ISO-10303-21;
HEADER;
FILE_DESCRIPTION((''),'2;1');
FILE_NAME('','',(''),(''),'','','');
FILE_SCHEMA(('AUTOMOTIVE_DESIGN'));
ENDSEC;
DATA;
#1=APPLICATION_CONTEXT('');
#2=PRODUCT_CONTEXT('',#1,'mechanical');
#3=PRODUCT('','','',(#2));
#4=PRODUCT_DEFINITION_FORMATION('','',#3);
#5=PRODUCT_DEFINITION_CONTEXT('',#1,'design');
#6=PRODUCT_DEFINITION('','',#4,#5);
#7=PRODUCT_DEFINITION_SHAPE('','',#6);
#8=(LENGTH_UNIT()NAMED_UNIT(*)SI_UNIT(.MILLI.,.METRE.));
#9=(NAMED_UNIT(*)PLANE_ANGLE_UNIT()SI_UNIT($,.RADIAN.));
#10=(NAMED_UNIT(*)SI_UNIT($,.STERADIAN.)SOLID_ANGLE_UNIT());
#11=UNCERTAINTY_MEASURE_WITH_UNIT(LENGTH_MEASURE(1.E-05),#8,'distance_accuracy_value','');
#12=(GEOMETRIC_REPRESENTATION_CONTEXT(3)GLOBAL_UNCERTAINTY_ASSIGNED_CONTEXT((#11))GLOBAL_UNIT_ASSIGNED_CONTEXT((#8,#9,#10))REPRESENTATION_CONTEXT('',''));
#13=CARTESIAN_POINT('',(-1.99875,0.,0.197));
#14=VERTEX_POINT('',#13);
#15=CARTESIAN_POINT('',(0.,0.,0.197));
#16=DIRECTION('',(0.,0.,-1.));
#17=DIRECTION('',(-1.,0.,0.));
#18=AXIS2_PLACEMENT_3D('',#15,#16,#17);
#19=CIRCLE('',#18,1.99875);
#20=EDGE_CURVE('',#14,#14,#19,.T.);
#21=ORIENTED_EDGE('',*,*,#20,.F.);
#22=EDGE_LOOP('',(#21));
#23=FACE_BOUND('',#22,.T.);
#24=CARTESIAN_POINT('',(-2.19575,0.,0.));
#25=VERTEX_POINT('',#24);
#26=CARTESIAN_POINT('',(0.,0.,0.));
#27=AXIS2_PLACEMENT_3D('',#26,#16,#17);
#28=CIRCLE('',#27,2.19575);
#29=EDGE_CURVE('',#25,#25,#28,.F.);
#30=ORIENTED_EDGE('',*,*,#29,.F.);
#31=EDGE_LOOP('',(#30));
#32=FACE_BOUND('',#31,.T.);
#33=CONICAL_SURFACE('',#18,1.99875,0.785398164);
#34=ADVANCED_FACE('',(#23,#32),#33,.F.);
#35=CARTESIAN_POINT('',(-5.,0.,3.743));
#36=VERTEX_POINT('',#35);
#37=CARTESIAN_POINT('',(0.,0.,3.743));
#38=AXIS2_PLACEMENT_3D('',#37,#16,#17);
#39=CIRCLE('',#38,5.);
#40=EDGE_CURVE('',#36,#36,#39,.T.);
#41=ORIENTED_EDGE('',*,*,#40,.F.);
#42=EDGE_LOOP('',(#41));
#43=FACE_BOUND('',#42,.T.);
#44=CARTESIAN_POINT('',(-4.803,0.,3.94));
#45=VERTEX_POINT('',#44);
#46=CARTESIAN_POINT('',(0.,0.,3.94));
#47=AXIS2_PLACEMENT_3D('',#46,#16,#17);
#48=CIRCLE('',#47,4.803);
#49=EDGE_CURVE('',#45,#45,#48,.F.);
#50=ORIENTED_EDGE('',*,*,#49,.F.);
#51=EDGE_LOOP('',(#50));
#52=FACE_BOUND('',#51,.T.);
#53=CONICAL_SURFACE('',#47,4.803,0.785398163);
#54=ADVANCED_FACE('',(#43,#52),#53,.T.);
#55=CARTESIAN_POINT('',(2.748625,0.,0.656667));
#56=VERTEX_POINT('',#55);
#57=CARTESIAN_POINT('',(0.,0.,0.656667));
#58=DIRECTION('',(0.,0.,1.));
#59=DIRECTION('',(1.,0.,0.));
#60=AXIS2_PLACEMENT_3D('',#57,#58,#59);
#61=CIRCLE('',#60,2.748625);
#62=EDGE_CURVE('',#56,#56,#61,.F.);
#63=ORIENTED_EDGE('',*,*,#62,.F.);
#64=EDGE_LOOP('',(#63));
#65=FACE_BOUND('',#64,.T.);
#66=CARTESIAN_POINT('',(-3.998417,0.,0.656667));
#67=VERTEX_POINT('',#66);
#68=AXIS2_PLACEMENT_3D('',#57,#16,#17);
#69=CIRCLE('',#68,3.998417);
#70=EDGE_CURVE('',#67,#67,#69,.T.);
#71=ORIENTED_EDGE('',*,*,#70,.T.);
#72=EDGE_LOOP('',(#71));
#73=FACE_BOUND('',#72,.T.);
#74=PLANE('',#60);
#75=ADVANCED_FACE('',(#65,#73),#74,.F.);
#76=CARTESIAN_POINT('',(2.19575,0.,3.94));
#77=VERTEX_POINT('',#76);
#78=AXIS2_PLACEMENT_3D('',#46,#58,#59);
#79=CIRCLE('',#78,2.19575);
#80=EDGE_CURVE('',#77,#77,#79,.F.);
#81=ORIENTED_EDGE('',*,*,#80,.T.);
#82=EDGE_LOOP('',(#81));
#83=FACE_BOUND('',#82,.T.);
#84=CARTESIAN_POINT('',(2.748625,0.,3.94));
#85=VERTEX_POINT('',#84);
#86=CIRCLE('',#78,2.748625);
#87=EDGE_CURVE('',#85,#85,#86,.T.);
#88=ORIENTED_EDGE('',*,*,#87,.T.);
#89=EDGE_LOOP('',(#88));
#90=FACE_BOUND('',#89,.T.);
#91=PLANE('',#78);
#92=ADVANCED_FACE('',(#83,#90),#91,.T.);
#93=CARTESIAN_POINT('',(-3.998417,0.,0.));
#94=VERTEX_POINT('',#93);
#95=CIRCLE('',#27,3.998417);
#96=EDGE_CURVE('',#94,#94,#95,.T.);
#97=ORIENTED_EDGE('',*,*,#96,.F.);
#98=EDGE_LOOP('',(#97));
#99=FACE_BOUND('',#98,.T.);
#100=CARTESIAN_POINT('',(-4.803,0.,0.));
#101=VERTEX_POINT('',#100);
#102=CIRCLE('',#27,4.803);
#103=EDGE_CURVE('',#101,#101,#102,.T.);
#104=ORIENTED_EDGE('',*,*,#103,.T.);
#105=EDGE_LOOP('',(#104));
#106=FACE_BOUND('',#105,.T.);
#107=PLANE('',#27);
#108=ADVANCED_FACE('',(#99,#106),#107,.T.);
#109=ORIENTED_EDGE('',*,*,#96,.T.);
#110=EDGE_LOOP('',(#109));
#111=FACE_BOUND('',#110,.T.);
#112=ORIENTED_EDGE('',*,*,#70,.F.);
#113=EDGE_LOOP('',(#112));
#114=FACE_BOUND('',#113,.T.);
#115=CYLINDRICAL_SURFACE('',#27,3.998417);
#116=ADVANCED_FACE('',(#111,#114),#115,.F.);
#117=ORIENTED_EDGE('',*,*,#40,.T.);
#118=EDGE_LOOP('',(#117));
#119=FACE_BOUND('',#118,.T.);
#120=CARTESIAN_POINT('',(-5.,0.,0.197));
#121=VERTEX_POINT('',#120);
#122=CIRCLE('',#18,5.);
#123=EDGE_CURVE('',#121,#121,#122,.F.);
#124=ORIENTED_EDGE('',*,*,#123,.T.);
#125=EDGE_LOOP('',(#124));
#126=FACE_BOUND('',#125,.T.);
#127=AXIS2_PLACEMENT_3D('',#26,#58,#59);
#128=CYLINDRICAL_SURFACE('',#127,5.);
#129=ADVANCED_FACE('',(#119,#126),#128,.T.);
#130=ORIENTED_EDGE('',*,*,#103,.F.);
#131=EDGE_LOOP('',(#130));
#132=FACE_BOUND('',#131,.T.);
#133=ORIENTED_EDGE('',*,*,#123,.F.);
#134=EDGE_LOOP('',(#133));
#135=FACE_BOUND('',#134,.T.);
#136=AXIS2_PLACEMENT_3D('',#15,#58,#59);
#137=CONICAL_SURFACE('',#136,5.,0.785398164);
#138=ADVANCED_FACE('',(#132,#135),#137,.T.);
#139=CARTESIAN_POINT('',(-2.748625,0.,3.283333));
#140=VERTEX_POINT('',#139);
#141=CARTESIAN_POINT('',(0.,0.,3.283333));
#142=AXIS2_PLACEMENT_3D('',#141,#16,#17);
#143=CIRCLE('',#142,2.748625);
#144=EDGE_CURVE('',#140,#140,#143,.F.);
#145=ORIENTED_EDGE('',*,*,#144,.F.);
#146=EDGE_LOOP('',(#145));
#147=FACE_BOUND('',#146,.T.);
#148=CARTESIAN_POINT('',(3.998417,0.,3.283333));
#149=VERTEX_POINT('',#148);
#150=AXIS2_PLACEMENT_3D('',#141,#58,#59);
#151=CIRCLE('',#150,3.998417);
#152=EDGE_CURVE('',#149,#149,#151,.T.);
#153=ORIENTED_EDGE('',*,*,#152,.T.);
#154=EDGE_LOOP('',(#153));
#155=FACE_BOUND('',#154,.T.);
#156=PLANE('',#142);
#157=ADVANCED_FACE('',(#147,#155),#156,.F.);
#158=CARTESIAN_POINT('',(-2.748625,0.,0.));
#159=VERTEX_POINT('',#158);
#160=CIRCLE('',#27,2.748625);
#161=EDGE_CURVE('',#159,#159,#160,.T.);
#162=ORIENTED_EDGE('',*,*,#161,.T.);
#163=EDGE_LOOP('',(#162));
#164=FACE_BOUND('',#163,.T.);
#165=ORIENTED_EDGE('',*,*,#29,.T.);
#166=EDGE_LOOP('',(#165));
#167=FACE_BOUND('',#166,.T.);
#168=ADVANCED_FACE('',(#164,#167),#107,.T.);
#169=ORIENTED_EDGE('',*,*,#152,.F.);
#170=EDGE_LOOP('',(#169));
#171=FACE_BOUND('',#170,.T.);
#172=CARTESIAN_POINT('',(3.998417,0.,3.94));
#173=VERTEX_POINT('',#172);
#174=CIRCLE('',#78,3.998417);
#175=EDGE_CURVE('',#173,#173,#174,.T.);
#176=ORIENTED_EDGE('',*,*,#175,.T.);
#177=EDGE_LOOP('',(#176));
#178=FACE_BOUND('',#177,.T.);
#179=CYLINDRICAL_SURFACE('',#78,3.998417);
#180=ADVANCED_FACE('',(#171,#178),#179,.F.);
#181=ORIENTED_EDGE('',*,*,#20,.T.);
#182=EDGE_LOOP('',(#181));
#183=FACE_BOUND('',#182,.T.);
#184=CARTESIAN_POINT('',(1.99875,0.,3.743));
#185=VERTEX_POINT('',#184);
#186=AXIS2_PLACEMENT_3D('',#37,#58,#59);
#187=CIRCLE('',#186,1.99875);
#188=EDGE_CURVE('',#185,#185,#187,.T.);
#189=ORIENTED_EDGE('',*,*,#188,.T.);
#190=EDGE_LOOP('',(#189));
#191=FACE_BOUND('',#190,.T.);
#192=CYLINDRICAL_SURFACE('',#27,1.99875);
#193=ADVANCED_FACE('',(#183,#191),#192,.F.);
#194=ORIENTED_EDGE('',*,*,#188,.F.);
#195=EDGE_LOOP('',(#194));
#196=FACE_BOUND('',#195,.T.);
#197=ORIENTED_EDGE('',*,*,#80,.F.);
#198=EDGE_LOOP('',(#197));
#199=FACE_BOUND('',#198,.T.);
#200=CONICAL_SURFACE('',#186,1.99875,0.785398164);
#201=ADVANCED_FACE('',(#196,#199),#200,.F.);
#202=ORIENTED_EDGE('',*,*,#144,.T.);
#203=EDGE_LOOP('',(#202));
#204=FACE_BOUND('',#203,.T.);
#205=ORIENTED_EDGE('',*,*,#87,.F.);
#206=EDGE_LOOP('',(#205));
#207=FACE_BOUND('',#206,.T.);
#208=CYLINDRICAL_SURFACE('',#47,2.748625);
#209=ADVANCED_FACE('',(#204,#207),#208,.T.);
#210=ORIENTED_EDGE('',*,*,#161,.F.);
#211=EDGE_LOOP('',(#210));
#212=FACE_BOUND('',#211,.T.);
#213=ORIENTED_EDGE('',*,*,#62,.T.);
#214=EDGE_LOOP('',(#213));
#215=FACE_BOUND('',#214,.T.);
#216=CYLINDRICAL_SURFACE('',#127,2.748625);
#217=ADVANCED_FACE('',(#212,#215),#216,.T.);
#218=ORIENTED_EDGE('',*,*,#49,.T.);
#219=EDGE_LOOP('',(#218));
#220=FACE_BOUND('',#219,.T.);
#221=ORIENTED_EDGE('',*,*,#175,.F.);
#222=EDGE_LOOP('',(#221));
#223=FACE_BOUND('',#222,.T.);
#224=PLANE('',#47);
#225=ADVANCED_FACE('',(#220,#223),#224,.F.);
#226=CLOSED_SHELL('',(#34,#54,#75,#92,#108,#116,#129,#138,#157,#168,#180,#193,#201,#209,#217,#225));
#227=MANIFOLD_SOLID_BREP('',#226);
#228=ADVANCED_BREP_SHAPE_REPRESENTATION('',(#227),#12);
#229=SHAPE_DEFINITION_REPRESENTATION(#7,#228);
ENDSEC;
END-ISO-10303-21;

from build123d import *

# Parameters (mm, degrees)
SKETCH1_R      = 5
EXTRUDE1_DEPTH = 3.94
HOLE1_D        = 7.996833333
HOLE1_DEPTH    = 0.656666667
SKETCH4_R      = 2.748625
EXTRUDE2_DEPTH = 0.656666667
HOLE2_D        = 7.996833333
HOLE2_DEPTH    = 0.656666667
SKETCH7_R      = 2.748625
EXTRUDE3_DEPTH = 0.656666667
HOLE3_D        = 3.9975
HOLE3_DEPTH    = 3.94
CHAMFER1_SIZE  = 0.197


with BuildPart() as part:
    # Sketch1 → Extrude1 (new body)
    with BuildSketch(Plane.XY.offset(3.94)):
        Circle(SKETCH1_R)
    extrude(amount=-EXTRUDE1_DEPTH)

    # Hole1
    with Locations(Plane.XY.offset(3.94)):
        with Locations((0, 0)):
            Hole(HOLE1_D / 2, depth=HOLE1_DEPTH)

    # Sketch4 → Extrude2 (add)
    with BuildSketch(Plane.XY.offset(3.283333333)):
        Circle(SKETCH4_R)
    extrude(amount=EXTRUDE2_DEPTH)

    # Hole2
    with Locations(Plane(origin=(0, 0, 0), x_dir=(-1, 0, 0), z_dir=(0, 0, -1))):
        with Locations((0, 0)):
            Hole(HOLE2_D / 2, depth=HOLE2_DEPTH)

    # Sketch7 → Extrude3 (add)
    with BuildSketch(Plane(origin=(0, 0, 0.656666667), x_dir=(-1, 0, 0), z_dir=(0, 0, -1))):
        Circle(SKETCH7_R)
    extrude(amount=EXTRUDE3_DEPTH)

    # Hole3
    with Locations(Plane(origin=(0, 0, 0), x_dir=(-1, 0, 0), z_dir=(0, 0, -1))):
        with Locations((0, 0)):
            Hole(HOLE3_D / 2, depth=HOLE3_DEPTH)

    # Chamfer1
    chamfer1_edges = [part.edges().sort_by_distance(p)[0] for p in [
        (-5, 0, 3.94),
        (-1.99875, 0, 0),
        (-1.99875, 0, 3.94),
        (-5, 0, 0),
    ]]
    chamfer(chamfer1_edges, length=CHAMFER1_SIZE)


solid = part.part
